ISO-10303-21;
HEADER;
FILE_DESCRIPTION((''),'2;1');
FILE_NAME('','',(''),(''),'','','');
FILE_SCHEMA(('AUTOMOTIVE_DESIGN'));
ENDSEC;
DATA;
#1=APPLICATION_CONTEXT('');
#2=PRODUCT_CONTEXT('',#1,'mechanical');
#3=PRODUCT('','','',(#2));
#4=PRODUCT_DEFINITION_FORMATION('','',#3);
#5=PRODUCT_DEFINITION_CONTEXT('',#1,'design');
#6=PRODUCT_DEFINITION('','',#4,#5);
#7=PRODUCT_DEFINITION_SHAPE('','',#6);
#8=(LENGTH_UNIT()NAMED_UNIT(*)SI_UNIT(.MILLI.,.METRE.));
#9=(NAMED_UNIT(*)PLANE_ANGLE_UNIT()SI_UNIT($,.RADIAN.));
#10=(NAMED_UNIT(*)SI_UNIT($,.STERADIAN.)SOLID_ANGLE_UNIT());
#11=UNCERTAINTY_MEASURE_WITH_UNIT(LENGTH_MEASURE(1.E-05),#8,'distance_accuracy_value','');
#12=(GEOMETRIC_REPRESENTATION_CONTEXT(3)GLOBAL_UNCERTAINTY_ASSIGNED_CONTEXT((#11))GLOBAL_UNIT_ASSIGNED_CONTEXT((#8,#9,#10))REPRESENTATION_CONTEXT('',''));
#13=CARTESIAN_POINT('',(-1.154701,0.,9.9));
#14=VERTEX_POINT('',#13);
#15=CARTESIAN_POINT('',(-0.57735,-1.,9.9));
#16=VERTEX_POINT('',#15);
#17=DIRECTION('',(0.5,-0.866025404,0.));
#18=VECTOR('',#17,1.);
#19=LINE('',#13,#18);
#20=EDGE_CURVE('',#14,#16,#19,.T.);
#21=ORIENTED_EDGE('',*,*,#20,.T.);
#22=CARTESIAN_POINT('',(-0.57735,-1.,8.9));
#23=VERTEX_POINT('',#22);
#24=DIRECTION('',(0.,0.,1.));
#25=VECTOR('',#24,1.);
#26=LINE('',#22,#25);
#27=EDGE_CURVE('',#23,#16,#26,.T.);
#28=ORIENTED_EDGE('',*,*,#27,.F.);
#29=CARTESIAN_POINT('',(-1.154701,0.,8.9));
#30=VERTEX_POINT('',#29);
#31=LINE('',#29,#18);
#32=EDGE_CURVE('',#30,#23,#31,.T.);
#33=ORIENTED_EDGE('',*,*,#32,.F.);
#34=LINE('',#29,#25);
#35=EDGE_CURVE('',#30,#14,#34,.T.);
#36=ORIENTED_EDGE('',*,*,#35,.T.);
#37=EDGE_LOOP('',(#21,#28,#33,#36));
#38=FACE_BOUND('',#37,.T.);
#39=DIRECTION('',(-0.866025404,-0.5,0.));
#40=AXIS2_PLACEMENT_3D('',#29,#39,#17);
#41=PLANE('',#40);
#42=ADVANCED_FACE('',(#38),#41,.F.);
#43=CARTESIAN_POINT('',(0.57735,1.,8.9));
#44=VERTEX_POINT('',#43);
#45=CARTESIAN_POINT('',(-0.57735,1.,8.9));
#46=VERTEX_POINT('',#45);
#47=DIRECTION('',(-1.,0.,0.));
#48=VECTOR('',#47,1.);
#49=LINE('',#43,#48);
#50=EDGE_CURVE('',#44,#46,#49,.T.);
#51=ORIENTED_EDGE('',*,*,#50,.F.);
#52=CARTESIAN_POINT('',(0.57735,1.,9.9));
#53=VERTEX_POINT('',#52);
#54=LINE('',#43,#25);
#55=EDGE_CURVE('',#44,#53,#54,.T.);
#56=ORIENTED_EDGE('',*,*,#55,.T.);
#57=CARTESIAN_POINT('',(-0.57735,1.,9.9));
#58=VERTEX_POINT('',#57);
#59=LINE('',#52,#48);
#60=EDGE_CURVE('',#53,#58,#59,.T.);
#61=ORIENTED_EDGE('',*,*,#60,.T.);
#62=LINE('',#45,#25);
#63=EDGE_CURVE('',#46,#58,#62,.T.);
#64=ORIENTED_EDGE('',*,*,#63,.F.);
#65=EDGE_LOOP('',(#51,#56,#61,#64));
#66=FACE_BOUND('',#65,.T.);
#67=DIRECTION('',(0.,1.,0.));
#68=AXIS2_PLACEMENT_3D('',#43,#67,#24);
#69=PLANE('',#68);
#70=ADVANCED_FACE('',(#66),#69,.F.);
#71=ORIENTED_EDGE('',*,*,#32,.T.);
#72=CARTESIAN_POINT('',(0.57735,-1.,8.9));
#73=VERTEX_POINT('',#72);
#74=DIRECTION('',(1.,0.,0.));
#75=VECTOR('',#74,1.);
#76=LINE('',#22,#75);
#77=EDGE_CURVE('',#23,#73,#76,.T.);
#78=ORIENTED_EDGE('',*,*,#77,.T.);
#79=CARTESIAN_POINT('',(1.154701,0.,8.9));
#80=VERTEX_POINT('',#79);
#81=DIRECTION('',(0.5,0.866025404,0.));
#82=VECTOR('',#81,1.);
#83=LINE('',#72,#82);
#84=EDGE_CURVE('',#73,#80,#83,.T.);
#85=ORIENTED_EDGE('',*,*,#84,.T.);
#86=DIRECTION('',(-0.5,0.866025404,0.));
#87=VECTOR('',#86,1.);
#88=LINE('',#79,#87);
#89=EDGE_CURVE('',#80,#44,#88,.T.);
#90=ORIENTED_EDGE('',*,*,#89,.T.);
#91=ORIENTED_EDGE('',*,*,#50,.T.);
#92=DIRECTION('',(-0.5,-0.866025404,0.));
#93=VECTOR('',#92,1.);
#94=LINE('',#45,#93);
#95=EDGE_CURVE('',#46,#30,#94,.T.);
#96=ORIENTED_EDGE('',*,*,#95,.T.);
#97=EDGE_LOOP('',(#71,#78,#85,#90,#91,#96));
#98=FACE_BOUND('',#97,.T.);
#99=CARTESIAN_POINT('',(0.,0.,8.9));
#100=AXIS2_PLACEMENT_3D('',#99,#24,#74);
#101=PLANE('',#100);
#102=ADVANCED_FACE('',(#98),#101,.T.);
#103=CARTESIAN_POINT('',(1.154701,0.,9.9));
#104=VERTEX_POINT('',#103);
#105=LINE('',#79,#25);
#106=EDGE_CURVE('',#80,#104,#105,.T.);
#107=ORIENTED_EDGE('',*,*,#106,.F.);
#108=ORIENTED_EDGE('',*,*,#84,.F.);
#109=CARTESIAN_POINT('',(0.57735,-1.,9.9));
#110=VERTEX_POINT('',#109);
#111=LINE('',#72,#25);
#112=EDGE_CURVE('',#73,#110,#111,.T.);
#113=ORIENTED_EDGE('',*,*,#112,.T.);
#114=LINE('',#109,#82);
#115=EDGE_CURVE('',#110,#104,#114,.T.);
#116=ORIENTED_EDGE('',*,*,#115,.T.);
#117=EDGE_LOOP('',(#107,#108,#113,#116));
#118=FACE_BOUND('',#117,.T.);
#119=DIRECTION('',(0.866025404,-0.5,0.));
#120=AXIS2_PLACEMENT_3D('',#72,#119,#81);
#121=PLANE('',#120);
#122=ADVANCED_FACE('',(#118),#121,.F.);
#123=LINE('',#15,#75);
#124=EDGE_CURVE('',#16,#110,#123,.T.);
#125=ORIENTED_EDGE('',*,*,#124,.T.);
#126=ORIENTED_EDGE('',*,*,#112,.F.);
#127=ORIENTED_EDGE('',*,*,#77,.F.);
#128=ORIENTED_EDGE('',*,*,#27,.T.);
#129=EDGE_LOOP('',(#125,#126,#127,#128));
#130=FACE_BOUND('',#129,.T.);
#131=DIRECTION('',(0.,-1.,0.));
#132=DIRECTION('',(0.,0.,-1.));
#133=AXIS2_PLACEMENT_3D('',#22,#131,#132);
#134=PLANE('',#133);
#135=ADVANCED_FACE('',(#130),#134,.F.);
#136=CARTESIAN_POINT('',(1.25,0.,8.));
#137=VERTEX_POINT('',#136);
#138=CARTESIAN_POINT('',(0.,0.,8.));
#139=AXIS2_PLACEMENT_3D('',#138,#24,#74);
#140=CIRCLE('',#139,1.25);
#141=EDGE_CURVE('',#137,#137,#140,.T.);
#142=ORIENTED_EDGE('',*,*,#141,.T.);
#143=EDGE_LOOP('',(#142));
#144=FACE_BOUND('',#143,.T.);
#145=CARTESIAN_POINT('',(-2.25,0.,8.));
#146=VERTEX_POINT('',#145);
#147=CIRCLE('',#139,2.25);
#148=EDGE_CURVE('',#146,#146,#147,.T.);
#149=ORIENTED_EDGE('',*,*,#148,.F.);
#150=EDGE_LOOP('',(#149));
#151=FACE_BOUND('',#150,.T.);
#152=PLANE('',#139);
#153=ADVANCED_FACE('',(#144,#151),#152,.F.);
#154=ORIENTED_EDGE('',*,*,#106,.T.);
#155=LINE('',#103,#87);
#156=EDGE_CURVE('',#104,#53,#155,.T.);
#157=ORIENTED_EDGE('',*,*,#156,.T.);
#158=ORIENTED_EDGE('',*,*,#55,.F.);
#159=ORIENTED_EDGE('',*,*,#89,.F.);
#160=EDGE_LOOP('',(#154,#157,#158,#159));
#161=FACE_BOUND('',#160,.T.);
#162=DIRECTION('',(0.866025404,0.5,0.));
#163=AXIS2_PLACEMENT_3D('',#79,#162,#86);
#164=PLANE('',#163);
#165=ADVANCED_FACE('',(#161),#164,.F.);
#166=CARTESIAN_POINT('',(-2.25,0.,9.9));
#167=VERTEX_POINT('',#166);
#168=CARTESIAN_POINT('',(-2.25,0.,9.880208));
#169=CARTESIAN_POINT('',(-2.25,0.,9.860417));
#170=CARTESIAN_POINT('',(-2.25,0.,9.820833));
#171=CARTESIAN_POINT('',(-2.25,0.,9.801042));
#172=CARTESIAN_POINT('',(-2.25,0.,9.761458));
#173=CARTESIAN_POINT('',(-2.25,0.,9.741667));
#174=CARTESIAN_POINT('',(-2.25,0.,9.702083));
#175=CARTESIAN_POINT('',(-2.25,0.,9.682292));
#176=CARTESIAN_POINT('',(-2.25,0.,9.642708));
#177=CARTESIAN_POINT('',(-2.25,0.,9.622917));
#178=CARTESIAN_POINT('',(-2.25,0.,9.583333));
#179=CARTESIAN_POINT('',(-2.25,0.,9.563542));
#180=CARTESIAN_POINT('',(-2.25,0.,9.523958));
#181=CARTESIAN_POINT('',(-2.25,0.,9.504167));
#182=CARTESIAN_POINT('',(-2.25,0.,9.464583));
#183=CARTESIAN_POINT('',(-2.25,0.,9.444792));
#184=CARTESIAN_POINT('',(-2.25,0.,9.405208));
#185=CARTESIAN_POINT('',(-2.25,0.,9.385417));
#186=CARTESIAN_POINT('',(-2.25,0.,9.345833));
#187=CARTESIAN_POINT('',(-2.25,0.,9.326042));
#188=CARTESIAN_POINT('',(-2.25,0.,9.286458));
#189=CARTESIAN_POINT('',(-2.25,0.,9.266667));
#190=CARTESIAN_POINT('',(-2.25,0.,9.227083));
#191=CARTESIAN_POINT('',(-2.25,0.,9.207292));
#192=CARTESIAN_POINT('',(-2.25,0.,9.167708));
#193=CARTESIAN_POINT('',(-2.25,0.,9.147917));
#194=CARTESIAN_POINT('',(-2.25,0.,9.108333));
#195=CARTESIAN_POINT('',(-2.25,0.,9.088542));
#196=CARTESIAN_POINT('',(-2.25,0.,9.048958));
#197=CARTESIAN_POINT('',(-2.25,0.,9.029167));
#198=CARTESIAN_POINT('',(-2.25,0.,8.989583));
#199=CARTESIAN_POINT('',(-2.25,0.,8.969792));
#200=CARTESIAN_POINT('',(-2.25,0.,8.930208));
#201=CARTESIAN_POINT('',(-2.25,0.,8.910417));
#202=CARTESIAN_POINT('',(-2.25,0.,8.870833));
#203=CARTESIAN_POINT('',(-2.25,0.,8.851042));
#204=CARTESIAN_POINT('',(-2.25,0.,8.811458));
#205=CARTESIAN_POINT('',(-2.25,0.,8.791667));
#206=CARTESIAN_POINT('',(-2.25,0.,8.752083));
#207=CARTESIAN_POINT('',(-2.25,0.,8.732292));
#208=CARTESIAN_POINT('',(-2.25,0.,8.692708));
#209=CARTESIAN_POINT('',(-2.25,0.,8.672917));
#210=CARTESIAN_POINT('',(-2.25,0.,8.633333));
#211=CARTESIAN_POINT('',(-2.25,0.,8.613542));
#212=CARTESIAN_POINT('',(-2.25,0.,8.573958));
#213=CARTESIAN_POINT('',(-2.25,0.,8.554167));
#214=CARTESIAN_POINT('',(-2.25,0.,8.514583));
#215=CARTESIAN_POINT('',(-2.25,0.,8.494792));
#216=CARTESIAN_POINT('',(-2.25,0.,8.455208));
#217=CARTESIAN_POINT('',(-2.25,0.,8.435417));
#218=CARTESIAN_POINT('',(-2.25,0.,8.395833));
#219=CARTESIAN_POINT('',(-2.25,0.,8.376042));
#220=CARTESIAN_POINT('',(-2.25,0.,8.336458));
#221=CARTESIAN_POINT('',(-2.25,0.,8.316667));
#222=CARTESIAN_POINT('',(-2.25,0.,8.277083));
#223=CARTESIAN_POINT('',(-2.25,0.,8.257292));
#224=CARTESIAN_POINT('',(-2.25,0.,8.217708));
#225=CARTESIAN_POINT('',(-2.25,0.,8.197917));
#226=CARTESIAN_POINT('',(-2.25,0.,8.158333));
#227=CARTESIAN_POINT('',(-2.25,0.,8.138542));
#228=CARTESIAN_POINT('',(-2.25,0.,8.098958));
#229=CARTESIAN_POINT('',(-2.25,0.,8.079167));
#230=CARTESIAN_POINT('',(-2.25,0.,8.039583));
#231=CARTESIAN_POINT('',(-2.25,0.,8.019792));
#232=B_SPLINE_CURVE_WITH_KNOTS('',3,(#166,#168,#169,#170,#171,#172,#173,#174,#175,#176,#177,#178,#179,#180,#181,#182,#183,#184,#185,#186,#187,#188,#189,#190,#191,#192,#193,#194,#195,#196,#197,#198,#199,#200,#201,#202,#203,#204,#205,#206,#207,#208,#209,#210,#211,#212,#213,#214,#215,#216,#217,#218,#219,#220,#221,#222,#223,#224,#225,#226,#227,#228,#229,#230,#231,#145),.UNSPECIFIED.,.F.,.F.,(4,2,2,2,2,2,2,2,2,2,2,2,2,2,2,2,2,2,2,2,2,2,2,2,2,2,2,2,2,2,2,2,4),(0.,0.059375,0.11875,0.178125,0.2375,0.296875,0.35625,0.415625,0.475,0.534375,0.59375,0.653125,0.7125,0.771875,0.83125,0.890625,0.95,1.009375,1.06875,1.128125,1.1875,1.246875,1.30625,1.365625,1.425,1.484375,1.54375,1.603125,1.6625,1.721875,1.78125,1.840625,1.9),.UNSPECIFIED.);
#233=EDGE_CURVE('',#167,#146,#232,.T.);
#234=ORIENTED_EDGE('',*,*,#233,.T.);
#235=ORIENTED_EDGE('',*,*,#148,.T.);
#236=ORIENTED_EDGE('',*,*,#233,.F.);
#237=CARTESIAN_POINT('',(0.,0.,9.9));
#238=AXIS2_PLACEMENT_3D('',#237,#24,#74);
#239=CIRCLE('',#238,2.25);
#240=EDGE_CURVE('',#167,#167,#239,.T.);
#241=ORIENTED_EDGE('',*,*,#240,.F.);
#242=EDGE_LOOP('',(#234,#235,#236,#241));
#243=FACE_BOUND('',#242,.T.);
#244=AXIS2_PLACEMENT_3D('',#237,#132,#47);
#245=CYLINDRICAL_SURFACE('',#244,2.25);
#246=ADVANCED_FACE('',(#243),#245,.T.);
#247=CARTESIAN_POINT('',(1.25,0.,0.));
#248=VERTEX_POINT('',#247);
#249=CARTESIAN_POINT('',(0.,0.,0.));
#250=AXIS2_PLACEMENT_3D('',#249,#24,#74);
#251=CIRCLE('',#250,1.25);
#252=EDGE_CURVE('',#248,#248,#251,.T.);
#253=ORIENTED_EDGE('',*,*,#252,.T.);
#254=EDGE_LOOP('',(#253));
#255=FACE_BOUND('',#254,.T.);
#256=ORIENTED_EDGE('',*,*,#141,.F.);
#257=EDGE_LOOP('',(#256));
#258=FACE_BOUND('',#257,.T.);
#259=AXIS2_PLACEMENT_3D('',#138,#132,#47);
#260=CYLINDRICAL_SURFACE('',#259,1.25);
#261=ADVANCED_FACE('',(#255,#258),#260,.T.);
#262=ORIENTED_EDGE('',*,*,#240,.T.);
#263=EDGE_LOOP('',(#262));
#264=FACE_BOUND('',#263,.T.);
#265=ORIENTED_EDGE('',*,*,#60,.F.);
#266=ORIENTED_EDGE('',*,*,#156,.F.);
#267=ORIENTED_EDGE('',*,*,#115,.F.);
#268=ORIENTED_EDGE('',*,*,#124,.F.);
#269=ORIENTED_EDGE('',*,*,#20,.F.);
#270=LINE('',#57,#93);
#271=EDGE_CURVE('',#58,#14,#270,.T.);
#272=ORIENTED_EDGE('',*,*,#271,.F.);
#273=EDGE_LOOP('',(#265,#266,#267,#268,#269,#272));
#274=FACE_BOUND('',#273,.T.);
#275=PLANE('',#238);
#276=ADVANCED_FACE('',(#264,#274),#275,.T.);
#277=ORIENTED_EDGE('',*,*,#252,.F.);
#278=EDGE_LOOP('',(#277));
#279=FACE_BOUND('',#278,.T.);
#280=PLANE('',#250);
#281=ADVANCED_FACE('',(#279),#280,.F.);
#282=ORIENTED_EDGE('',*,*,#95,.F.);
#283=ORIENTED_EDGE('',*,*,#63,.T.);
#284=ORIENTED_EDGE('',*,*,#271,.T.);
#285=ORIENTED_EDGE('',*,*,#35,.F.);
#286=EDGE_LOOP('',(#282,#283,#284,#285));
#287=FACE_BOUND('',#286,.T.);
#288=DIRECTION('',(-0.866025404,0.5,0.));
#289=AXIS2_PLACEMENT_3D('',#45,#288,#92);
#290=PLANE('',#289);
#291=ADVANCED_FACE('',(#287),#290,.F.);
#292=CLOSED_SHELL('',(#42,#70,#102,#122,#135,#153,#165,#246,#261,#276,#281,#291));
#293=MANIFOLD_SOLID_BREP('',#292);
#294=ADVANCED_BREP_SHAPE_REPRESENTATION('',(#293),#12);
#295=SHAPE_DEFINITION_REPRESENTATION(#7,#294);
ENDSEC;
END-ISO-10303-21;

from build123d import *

# Parameters (mm, degrees)
ESQUISSE1_R             = 1.25
BOSS_EXTRU_1_DEPTH      = 8
ESQUISSE2_R             = 2.25
BOSS_EXTRU_2_DEPTH      = 1.9
ENL_V_MAT_EXTRU_1_DEPTH = 1


with BuildPart() as part:
    # Esquisse1 → Boss.-Extru.1 (new body)
    with BuildSketch(Plane.XY):
        Circle(ESQUISSE1_R)
    extrude(amount=BOSS_EXTRU_1_DEPTH)

    # Esquisse2 → Boss.-Extru.2 (add)
    with BuildSketch(Plane.XY.offset(8)):
        with Locations(Location((0, 0, 0), (0, 0, 180))):
            Circle(ESQUISSE2_R)
    extrude(amount=BOSS_EXTRU_2_DEPTH)

    # Esquisse3 → Enlèv. mat.-Extru.1 (cut)
    with BuildSketch(Plane.XY.offset(9.9)):
        Polygon((1.154700538, 0), (0.577350269, 1), (-0.577350269, 1), (-1.154700538, 0), (-0.577350269, -1), (0.577350269, -1), align=None)
    extrude(amount=-ENL_V_MAT_EXTRU_1_DEPTH, mode=Mode.SUBTRACT)


solid = part.part
